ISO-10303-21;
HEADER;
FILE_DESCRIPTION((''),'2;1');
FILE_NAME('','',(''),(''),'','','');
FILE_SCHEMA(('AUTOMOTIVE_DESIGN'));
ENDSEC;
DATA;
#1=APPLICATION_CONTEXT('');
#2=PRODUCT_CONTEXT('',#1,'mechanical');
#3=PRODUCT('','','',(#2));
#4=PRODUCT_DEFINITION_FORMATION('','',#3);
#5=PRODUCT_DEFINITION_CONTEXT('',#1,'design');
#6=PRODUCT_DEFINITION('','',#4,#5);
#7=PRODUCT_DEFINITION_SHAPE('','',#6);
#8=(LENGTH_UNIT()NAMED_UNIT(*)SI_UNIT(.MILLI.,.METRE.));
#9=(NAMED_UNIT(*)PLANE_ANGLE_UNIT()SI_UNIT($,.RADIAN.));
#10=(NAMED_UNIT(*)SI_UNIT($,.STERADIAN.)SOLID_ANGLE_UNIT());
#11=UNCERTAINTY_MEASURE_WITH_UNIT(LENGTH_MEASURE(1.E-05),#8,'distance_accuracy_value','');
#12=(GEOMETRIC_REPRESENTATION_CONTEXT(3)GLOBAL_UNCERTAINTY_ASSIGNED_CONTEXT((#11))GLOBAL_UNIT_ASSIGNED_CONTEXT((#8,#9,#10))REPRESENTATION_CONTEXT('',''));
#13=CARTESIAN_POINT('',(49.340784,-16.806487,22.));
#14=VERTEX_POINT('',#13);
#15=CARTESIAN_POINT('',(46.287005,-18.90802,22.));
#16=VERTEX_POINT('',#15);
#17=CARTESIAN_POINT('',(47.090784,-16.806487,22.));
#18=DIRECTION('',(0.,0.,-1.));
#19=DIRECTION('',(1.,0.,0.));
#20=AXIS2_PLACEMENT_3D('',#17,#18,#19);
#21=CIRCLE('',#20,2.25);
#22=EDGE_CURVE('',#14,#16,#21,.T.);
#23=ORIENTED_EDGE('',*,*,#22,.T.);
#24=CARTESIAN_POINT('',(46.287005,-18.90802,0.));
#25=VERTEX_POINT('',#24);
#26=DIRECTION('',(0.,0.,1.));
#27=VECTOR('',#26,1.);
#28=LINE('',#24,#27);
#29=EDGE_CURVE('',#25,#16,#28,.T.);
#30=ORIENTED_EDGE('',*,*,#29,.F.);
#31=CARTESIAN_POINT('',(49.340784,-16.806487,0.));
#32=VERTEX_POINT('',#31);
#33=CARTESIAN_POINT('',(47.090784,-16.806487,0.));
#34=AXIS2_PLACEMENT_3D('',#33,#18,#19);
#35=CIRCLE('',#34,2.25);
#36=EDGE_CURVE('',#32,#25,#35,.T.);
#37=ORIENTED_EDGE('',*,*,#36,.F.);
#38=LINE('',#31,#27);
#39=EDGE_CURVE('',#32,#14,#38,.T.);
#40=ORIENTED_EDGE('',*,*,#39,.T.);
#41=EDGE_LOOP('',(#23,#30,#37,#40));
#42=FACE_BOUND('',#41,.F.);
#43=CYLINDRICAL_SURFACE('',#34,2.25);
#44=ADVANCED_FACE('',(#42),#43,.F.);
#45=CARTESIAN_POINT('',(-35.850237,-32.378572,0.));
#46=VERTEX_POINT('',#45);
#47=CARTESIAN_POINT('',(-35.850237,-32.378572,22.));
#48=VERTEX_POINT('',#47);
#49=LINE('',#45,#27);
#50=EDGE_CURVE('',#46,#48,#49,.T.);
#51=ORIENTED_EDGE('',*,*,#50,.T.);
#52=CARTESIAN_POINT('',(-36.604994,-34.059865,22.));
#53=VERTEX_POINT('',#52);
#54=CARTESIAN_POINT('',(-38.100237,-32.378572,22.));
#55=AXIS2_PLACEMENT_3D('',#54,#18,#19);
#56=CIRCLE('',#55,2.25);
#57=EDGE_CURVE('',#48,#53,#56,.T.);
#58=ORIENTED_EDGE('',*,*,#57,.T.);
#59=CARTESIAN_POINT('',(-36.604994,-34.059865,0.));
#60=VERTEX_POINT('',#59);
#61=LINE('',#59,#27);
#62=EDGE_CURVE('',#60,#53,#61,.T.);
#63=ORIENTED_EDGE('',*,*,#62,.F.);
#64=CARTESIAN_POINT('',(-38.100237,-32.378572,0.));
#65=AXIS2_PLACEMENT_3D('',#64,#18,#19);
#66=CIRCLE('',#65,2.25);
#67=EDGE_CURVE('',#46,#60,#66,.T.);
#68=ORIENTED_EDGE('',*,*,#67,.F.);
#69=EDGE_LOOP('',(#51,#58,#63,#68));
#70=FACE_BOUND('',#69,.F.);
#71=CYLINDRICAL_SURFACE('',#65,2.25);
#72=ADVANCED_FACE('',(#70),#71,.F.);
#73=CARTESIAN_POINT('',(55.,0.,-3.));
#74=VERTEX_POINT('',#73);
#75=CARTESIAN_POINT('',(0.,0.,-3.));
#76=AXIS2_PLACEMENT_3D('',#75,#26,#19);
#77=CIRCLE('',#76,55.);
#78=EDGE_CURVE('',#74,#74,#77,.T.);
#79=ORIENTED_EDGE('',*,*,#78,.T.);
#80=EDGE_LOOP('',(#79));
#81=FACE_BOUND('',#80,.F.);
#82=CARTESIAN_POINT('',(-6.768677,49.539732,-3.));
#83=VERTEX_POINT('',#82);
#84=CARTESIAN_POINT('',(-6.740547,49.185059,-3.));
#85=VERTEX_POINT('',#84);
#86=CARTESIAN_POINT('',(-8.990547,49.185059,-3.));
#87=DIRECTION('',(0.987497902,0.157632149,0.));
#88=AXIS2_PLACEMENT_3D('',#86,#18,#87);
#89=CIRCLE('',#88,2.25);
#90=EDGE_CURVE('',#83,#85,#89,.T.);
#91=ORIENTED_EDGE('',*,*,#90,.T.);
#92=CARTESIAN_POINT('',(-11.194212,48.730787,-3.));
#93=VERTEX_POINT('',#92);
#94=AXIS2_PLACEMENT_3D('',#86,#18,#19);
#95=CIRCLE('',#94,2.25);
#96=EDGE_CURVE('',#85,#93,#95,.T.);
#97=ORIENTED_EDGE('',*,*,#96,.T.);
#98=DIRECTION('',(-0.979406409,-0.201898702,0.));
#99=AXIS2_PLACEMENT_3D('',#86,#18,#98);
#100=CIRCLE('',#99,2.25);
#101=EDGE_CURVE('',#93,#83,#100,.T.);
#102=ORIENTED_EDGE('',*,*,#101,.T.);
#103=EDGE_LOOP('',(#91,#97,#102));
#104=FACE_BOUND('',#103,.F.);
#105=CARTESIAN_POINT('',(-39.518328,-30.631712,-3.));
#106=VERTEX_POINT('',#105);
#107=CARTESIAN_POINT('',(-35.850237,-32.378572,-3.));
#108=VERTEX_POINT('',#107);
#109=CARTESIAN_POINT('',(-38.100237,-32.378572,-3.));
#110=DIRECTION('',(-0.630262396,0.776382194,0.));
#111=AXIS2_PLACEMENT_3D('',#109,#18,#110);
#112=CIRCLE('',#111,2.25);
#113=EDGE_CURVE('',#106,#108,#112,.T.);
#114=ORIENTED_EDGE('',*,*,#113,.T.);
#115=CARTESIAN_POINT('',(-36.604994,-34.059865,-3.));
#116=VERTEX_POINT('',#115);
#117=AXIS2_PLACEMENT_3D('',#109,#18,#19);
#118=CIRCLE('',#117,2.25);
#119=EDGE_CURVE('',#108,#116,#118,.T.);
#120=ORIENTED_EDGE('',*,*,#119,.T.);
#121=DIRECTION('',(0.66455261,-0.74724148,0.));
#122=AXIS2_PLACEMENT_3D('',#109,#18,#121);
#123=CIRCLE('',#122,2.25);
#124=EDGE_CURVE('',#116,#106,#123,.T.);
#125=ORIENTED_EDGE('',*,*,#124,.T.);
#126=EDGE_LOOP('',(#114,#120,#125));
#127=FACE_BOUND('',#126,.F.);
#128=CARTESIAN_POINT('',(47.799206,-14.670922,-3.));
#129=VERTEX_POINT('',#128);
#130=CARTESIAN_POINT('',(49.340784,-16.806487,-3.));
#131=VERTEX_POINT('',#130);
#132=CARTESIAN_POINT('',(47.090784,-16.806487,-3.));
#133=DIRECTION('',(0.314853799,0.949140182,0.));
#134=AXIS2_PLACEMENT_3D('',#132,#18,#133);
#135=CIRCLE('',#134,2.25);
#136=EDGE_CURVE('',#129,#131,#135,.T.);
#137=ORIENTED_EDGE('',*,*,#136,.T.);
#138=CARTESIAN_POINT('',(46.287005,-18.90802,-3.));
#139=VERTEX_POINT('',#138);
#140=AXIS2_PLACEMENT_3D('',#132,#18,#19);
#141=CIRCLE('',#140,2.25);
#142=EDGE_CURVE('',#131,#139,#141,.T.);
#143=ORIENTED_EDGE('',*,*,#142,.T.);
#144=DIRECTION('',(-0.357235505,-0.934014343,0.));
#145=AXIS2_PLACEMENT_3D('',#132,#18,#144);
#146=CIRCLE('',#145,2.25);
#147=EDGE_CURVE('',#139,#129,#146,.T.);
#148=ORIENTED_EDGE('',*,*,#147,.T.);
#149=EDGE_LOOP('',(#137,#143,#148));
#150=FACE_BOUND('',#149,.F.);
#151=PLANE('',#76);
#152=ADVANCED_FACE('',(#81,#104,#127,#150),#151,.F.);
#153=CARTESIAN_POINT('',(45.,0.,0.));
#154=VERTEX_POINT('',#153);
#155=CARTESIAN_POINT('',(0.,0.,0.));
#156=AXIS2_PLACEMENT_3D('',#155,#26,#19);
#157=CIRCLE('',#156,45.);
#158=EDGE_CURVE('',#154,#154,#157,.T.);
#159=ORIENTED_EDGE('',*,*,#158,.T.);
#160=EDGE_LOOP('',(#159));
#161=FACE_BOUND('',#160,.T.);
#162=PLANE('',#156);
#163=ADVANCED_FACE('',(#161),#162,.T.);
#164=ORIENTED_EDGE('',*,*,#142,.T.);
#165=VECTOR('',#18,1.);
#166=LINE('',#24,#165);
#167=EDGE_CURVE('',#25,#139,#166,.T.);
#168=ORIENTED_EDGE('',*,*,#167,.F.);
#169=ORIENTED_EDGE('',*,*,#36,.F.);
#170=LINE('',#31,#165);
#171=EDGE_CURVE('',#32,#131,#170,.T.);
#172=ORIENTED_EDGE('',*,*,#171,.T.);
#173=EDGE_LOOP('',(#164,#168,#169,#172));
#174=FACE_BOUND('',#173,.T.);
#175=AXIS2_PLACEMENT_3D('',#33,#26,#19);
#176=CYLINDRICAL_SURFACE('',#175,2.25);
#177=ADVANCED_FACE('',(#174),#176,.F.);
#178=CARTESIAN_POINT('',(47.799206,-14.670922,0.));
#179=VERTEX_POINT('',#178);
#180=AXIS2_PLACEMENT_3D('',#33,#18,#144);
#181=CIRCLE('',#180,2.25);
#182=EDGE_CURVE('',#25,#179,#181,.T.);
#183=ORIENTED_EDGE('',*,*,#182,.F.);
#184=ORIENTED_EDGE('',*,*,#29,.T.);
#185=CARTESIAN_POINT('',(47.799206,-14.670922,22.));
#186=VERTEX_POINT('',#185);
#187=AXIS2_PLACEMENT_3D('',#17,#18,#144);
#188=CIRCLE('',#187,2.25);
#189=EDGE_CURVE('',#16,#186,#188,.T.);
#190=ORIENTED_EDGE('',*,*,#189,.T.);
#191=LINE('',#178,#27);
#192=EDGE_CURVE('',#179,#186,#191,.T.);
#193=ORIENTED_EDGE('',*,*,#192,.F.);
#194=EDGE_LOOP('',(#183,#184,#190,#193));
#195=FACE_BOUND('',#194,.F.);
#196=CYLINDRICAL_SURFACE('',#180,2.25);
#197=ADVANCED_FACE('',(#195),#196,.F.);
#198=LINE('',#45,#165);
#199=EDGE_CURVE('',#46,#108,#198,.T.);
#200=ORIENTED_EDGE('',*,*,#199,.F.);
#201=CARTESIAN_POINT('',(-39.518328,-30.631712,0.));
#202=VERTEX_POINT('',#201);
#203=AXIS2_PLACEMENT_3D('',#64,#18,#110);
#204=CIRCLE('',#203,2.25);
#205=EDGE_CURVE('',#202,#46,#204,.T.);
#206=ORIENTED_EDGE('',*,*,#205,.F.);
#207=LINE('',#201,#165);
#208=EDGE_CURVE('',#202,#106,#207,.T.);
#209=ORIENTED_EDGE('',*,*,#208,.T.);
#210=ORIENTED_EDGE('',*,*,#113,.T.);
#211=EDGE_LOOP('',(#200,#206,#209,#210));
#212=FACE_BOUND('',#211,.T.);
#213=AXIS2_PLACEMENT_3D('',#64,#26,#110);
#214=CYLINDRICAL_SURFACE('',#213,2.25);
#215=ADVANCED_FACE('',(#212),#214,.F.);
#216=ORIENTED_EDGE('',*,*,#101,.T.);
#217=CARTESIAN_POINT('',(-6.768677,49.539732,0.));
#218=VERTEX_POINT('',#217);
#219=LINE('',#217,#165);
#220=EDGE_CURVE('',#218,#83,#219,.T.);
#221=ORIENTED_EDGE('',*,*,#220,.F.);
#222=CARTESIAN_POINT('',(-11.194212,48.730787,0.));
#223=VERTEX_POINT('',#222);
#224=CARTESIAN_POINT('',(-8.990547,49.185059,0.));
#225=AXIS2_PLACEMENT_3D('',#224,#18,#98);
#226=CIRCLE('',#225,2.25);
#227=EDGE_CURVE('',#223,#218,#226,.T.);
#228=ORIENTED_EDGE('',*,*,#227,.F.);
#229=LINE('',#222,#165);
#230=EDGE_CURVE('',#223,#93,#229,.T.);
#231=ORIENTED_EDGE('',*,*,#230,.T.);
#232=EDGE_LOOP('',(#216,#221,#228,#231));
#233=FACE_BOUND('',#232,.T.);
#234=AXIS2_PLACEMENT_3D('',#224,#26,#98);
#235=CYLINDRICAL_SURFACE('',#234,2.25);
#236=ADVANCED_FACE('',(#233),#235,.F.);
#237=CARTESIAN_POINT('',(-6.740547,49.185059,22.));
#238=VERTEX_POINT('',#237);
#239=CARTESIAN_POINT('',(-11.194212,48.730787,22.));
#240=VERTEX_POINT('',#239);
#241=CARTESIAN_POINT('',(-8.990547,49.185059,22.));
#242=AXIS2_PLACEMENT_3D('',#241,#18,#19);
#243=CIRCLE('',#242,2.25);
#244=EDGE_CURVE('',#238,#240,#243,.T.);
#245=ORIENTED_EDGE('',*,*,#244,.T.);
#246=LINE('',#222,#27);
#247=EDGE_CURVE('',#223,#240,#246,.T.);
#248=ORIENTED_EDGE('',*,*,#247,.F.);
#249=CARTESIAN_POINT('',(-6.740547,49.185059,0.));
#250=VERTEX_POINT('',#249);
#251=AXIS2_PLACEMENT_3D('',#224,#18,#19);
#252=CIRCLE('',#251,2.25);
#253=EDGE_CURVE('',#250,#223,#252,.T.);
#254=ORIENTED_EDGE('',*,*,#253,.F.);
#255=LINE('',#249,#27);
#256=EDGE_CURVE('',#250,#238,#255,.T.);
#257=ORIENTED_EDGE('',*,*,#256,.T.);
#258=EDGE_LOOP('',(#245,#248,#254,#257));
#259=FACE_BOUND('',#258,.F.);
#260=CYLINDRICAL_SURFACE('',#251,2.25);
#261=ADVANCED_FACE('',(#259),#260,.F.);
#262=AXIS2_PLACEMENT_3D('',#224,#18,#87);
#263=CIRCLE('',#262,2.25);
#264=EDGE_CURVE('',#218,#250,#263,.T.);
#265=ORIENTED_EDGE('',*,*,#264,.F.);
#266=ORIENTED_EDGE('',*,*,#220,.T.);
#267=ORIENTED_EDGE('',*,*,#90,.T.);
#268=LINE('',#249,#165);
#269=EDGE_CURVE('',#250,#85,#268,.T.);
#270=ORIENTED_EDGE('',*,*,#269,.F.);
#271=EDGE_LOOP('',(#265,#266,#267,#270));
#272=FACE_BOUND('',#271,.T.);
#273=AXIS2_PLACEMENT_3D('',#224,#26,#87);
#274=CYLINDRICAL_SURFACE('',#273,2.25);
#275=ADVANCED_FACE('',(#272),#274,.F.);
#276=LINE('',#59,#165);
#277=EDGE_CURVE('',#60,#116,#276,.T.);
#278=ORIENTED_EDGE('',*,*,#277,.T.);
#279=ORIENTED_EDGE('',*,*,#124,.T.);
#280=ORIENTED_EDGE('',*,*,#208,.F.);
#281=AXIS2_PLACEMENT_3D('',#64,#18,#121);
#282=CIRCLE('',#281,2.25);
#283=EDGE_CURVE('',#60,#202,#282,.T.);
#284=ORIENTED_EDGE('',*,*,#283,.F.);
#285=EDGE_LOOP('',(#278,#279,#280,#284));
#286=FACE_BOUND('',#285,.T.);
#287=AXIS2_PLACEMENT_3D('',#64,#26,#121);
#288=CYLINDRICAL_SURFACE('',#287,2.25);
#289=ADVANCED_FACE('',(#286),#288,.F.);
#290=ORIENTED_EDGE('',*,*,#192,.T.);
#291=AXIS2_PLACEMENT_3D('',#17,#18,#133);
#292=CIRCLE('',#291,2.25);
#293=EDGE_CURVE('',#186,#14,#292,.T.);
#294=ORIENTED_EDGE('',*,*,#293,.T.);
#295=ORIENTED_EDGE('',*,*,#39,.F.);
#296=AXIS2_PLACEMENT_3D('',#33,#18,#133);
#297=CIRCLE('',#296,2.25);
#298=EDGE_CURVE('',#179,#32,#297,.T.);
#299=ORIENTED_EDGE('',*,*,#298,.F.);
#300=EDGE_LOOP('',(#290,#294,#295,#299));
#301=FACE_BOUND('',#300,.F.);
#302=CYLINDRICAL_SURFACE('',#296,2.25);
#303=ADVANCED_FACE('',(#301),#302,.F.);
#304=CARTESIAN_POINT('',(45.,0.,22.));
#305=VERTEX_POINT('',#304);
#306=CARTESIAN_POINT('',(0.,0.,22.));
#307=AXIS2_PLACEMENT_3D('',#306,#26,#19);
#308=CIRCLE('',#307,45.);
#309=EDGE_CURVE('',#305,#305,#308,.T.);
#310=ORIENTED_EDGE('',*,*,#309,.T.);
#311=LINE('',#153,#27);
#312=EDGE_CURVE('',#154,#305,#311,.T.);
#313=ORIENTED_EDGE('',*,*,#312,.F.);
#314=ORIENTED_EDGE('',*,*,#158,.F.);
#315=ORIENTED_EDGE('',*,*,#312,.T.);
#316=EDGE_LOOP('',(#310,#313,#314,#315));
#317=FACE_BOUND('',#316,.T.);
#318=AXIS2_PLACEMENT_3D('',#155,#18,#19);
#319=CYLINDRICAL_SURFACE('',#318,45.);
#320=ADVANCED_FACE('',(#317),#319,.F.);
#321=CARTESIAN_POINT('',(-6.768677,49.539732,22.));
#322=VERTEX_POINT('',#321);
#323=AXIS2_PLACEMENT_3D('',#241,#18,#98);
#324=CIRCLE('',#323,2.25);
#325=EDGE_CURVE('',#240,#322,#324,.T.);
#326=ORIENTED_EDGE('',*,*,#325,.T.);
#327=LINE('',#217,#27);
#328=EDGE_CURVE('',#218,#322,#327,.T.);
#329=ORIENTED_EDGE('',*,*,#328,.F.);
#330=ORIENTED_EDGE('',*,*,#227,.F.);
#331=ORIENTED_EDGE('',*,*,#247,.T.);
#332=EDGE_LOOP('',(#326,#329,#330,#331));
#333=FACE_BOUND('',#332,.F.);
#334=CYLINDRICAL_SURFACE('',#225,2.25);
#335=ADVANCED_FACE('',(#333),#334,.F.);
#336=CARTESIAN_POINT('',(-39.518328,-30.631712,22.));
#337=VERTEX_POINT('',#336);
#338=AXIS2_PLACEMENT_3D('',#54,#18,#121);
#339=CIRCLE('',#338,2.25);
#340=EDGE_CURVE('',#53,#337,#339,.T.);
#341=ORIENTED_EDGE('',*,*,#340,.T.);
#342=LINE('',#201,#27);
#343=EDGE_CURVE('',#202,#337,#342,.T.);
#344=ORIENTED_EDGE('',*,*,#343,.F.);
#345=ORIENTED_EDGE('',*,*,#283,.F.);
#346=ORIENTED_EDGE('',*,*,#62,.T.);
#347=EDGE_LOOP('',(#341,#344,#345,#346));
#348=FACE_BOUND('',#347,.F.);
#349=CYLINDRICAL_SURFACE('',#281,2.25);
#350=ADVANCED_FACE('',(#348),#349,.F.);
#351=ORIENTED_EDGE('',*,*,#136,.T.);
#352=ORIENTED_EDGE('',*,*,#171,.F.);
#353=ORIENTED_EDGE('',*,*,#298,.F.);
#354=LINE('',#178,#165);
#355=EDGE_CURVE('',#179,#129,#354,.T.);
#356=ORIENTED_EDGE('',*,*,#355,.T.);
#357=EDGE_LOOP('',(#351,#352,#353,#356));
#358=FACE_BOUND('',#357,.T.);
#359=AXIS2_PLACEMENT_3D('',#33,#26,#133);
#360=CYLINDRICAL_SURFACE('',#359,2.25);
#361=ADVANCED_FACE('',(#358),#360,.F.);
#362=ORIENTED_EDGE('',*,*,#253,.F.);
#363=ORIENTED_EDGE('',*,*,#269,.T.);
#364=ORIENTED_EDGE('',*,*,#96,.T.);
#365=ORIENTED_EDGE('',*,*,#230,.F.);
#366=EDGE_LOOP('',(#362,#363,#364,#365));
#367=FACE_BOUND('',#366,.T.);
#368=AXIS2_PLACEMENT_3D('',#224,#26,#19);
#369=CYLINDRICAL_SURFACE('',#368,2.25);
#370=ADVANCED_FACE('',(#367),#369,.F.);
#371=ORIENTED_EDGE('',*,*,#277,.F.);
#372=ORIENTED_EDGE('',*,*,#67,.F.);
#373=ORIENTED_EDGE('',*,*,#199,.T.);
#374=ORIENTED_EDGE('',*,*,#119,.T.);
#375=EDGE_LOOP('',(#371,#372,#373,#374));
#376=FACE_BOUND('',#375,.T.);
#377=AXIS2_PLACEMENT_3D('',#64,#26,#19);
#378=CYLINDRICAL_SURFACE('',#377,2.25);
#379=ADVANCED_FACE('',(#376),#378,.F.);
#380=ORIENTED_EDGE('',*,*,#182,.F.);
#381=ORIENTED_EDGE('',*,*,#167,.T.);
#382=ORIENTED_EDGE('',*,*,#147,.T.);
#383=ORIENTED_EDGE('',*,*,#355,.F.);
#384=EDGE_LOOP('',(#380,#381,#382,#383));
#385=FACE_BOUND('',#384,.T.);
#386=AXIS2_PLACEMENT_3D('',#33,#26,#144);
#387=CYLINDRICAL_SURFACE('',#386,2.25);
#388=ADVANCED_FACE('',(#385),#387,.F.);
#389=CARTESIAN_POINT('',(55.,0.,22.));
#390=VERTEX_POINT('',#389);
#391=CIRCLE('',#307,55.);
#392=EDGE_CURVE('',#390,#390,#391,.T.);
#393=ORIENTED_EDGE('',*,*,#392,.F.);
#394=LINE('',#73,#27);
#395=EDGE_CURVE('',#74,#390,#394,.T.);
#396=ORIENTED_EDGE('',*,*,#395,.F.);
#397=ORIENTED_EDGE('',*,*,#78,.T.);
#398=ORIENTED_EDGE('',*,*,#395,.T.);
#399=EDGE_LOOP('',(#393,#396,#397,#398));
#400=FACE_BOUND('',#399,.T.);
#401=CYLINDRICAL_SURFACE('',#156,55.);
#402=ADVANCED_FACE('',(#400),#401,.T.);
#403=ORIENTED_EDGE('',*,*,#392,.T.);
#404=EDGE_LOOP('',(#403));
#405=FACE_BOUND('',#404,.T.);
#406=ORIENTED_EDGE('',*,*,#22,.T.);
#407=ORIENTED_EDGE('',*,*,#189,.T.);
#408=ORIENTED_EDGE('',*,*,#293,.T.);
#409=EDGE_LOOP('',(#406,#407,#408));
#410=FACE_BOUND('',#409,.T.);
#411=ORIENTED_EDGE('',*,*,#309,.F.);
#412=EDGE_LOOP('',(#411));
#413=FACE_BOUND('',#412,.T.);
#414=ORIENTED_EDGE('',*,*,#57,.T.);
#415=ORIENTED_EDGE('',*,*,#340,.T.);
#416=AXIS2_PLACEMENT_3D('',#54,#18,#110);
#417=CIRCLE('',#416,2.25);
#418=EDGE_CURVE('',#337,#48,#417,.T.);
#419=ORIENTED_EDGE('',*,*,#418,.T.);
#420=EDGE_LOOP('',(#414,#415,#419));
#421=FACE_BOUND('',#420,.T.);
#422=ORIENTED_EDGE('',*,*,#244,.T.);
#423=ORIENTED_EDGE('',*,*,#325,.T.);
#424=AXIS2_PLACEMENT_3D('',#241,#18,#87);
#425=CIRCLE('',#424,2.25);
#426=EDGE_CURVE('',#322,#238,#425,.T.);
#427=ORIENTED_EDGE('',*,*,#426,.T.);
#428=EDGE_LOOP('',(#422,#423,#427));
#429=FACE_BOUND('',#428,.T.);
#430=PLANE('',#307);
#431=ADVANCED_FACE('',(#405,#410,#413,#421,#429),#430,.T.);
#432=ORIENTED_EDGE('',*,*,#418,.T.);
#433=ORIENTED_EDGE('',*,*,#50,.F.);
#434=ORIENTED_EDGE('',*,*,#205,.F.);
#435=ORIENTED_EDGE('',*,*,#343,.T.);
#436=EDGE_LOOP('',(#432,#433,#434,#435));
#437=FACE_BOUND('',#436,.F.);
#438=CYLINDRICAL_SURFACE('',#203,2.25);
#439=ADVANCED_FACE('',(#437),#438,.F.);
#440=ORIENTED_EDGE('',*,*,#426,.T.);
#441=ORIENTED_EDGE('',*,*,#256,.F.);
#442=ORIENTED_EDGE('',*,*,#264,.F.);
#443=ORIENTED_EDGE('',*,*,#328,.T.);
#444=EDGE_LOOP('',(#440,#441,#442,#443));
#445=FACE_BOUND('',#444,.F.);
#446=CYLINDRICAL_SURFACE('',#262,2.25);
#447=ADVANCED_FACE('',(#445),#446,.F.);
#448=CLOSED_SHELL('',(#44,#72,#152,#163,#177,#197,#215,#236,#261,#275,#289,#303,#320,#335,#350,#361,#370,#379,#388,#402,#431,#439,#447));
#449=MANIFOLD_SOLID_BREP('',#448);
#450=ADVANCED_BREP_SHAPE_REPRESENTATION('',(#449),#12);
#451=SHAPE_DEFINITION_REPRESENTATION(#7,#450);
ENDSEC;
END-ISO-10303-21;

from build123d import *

# Parameters (mm, degrees)
F0_R     = 55
F0_R_2   = 45
F1_DEPTH = 22
F2_DEPTH = 3


with BuildPart() as f1:
    # F0 (on Top) → F1 (new body)
    with BuildSketch(Plane.XY):
        Circle(F0_R)
        with BuildLine():
            ThreePointArc((-6.7686770228, 49.539731644), (32.8752653895, 37.6724956111), (50, 0))
            ThreePointArc((50, 0), (49.4467404253, -7.417537416), (47.7992055473, -14.6709218881))
            ThreePointArc((47.7992055473, -14.6709218881), (48.9151264842, -15.489568044), (49.3407844988, -16.8064872976))
            ThreePointArc((49.3407844988, -16.8064872976), (48.3663226704, -18.6599981211), (46.2870046118, -18.9080195703))
            ThreePointArc((46.2870046118, -18.9080195703), (8.9905473014, -49.1850593089), (-36.6049938257, -34.0598653406))
            ThreePointArc((-36.6049938257, -34.0598653406), (-39.8147478714, -33.8356077519), (-39.518327589, -30.6317120738))
            ThreePointArc((-39.518327589, -30.6317120738), (-47.0907844988, 16.8064872976), (-11.1942117216, 48.7307872287))
            ThreePointArc((-11.1942117216, 48.7307872287), (-9.3951219299, 51.3983869778), (-6.7686770228, 49.539731644))
        make_face(mode=Mode.SUBTRACT)
        with BuildLine():
            ThreePointArc((47.7992055473, -14.6709218881), (49.4467404253, -7.417537416), (50, 0))
            ThreePointArc((50, 0), (32.8752653895, 37.6724956111), (-6.7686770228, 49.539731644))
            ThreePointArc((-6.7686770228, 49.539731644), (-6.7475907562, 49.3629523572), (-6.7405473014, 49.1850593089))
            ThreePointArc((-6.7405473014, 49.1850593089), (-8.7622327657, 46.9466731776), (-11.1942117216, 48.7307872287))
            ThreePointArc((-11.1942117216, 48.7307872287), (-47.0907844988, 16.8064872976), (-39.518327589, -30.6317120738))
            ThreePointArc((-39.518327589, -30.6317120738), (-37.1328188239, -30.3471681395), (-35.8502371975, -32.3785720114))
            ThreePointArc((-35.8502371975, -32.3785720114), (-36.0475806765, -33.3000388891), (-36.6049938257, -34.0598653406))
            ThreePointArc((-36.6049938257, -34.0598653406), (8.9905473014, -49.1850593089), (46.2870046118, -18.9080195703))
            ThreePointArc((46.2870046118, -18.9080195703), (44.9716991964, -16.0501953692), (47.7992055473, -14.6709218881))
        make_face()
        Circle(F0_R_2, mode=Mode.SUBTRACT)
    extrude(amount=F1_DEPTH)

    # F0 (on Top) → F2 (join)
    with BuildSketch(Plane.XY):
        Circle(F0_R)
        with BuildLine():
            ThreePointArc((-6.7686770228, 49.539731644), (32.8752653895, 37.6724956111), (50, 0))
            ThreePointArc((50, 0), (49.4467404253, -7.417537416), (47.7992055473, -14.6709218881))
            ThreePointArc((47.7992055473, -14.6709218881), (48.9151264842, -15.489568044), (49.3407844988, -16.8064872976))
            ThreePointArc((49.3407844988, -16.8064872976), (48.3663226704, -18.6599981211), (46.2870046118, -18.9080195703))
            ThreePointArc((46.2870046118, -18.9080195703), (8.9905473014, -49.1850593089), (-36.6049938257, -34.0598653406))
            ThreePointArc((-36.6049938257, -34.0598653406), (-39.8147478714, -33.8356077519), (-39.518327589, -30.6317120738))
            ThreePointArc((-39.518327589, -30.6317120738), (-47.0907844988, 16.8064872976), (-11.1942117216, 48.7307872287))
            ThreePointArc((-11.1942117216, 48.7307872287), (-9.3951219299, 51.3983869778), (-6.7686770228, 49.539731644))
        make_face(mode=Mode.SUBTRACT)
        with BuildLine():
            ThreePointArc((47.7992055473, -14.6709218881), (49.4467404253, -7.417537416), (50, 0))
            ThreePointArc((50, 0), (32.8752653895, 37.6724956111), (-6.7686770228, 49.539731644))
            ThreePointArc((-6.7686770228, 49.539731644), (-6.7475907562, 49.3629523572), (-6.7405473014, 49.1850593089))
            ThreePointArc((-6.7405473014, 49.1850593089), (-8.7622327657, 46.9466731776), (-11.1942117216, 48.7307872287))
            ThreePointArc((-11.1942117216, 48.7307872287), (-47.0907844988, 16.8064872976), (-39.518327589, -30.6317120738))
            ThreePointArc((-39.518327589, -30.6317120738), (-37.1328188239, -30.3471681395), (-35.8502371975, -32.3785720114))
            ThreePointArc((-35.8502371975, -32.3785720114), (-36.0475806765, -33.3000388891), (-36.6049938257, -34.0598653406))
            ThreePointArc((-36.6049938257, -34.0598653406), (8.9905473014, -49.1850593089), (46.2870046118, -18.9080195703))
            ThreePointArc((46.2870046118, -18.9080195703), (44.9716991964, -16.0501953692), (47.7992055473, -14.6709218881))
        make_face()
        Circle(F0_R_2, mode=Mode.SUBTRACT)
        Circle(F0_R_2)
    extrude(amount=-F2_DEPTH)


solid = f1.part
